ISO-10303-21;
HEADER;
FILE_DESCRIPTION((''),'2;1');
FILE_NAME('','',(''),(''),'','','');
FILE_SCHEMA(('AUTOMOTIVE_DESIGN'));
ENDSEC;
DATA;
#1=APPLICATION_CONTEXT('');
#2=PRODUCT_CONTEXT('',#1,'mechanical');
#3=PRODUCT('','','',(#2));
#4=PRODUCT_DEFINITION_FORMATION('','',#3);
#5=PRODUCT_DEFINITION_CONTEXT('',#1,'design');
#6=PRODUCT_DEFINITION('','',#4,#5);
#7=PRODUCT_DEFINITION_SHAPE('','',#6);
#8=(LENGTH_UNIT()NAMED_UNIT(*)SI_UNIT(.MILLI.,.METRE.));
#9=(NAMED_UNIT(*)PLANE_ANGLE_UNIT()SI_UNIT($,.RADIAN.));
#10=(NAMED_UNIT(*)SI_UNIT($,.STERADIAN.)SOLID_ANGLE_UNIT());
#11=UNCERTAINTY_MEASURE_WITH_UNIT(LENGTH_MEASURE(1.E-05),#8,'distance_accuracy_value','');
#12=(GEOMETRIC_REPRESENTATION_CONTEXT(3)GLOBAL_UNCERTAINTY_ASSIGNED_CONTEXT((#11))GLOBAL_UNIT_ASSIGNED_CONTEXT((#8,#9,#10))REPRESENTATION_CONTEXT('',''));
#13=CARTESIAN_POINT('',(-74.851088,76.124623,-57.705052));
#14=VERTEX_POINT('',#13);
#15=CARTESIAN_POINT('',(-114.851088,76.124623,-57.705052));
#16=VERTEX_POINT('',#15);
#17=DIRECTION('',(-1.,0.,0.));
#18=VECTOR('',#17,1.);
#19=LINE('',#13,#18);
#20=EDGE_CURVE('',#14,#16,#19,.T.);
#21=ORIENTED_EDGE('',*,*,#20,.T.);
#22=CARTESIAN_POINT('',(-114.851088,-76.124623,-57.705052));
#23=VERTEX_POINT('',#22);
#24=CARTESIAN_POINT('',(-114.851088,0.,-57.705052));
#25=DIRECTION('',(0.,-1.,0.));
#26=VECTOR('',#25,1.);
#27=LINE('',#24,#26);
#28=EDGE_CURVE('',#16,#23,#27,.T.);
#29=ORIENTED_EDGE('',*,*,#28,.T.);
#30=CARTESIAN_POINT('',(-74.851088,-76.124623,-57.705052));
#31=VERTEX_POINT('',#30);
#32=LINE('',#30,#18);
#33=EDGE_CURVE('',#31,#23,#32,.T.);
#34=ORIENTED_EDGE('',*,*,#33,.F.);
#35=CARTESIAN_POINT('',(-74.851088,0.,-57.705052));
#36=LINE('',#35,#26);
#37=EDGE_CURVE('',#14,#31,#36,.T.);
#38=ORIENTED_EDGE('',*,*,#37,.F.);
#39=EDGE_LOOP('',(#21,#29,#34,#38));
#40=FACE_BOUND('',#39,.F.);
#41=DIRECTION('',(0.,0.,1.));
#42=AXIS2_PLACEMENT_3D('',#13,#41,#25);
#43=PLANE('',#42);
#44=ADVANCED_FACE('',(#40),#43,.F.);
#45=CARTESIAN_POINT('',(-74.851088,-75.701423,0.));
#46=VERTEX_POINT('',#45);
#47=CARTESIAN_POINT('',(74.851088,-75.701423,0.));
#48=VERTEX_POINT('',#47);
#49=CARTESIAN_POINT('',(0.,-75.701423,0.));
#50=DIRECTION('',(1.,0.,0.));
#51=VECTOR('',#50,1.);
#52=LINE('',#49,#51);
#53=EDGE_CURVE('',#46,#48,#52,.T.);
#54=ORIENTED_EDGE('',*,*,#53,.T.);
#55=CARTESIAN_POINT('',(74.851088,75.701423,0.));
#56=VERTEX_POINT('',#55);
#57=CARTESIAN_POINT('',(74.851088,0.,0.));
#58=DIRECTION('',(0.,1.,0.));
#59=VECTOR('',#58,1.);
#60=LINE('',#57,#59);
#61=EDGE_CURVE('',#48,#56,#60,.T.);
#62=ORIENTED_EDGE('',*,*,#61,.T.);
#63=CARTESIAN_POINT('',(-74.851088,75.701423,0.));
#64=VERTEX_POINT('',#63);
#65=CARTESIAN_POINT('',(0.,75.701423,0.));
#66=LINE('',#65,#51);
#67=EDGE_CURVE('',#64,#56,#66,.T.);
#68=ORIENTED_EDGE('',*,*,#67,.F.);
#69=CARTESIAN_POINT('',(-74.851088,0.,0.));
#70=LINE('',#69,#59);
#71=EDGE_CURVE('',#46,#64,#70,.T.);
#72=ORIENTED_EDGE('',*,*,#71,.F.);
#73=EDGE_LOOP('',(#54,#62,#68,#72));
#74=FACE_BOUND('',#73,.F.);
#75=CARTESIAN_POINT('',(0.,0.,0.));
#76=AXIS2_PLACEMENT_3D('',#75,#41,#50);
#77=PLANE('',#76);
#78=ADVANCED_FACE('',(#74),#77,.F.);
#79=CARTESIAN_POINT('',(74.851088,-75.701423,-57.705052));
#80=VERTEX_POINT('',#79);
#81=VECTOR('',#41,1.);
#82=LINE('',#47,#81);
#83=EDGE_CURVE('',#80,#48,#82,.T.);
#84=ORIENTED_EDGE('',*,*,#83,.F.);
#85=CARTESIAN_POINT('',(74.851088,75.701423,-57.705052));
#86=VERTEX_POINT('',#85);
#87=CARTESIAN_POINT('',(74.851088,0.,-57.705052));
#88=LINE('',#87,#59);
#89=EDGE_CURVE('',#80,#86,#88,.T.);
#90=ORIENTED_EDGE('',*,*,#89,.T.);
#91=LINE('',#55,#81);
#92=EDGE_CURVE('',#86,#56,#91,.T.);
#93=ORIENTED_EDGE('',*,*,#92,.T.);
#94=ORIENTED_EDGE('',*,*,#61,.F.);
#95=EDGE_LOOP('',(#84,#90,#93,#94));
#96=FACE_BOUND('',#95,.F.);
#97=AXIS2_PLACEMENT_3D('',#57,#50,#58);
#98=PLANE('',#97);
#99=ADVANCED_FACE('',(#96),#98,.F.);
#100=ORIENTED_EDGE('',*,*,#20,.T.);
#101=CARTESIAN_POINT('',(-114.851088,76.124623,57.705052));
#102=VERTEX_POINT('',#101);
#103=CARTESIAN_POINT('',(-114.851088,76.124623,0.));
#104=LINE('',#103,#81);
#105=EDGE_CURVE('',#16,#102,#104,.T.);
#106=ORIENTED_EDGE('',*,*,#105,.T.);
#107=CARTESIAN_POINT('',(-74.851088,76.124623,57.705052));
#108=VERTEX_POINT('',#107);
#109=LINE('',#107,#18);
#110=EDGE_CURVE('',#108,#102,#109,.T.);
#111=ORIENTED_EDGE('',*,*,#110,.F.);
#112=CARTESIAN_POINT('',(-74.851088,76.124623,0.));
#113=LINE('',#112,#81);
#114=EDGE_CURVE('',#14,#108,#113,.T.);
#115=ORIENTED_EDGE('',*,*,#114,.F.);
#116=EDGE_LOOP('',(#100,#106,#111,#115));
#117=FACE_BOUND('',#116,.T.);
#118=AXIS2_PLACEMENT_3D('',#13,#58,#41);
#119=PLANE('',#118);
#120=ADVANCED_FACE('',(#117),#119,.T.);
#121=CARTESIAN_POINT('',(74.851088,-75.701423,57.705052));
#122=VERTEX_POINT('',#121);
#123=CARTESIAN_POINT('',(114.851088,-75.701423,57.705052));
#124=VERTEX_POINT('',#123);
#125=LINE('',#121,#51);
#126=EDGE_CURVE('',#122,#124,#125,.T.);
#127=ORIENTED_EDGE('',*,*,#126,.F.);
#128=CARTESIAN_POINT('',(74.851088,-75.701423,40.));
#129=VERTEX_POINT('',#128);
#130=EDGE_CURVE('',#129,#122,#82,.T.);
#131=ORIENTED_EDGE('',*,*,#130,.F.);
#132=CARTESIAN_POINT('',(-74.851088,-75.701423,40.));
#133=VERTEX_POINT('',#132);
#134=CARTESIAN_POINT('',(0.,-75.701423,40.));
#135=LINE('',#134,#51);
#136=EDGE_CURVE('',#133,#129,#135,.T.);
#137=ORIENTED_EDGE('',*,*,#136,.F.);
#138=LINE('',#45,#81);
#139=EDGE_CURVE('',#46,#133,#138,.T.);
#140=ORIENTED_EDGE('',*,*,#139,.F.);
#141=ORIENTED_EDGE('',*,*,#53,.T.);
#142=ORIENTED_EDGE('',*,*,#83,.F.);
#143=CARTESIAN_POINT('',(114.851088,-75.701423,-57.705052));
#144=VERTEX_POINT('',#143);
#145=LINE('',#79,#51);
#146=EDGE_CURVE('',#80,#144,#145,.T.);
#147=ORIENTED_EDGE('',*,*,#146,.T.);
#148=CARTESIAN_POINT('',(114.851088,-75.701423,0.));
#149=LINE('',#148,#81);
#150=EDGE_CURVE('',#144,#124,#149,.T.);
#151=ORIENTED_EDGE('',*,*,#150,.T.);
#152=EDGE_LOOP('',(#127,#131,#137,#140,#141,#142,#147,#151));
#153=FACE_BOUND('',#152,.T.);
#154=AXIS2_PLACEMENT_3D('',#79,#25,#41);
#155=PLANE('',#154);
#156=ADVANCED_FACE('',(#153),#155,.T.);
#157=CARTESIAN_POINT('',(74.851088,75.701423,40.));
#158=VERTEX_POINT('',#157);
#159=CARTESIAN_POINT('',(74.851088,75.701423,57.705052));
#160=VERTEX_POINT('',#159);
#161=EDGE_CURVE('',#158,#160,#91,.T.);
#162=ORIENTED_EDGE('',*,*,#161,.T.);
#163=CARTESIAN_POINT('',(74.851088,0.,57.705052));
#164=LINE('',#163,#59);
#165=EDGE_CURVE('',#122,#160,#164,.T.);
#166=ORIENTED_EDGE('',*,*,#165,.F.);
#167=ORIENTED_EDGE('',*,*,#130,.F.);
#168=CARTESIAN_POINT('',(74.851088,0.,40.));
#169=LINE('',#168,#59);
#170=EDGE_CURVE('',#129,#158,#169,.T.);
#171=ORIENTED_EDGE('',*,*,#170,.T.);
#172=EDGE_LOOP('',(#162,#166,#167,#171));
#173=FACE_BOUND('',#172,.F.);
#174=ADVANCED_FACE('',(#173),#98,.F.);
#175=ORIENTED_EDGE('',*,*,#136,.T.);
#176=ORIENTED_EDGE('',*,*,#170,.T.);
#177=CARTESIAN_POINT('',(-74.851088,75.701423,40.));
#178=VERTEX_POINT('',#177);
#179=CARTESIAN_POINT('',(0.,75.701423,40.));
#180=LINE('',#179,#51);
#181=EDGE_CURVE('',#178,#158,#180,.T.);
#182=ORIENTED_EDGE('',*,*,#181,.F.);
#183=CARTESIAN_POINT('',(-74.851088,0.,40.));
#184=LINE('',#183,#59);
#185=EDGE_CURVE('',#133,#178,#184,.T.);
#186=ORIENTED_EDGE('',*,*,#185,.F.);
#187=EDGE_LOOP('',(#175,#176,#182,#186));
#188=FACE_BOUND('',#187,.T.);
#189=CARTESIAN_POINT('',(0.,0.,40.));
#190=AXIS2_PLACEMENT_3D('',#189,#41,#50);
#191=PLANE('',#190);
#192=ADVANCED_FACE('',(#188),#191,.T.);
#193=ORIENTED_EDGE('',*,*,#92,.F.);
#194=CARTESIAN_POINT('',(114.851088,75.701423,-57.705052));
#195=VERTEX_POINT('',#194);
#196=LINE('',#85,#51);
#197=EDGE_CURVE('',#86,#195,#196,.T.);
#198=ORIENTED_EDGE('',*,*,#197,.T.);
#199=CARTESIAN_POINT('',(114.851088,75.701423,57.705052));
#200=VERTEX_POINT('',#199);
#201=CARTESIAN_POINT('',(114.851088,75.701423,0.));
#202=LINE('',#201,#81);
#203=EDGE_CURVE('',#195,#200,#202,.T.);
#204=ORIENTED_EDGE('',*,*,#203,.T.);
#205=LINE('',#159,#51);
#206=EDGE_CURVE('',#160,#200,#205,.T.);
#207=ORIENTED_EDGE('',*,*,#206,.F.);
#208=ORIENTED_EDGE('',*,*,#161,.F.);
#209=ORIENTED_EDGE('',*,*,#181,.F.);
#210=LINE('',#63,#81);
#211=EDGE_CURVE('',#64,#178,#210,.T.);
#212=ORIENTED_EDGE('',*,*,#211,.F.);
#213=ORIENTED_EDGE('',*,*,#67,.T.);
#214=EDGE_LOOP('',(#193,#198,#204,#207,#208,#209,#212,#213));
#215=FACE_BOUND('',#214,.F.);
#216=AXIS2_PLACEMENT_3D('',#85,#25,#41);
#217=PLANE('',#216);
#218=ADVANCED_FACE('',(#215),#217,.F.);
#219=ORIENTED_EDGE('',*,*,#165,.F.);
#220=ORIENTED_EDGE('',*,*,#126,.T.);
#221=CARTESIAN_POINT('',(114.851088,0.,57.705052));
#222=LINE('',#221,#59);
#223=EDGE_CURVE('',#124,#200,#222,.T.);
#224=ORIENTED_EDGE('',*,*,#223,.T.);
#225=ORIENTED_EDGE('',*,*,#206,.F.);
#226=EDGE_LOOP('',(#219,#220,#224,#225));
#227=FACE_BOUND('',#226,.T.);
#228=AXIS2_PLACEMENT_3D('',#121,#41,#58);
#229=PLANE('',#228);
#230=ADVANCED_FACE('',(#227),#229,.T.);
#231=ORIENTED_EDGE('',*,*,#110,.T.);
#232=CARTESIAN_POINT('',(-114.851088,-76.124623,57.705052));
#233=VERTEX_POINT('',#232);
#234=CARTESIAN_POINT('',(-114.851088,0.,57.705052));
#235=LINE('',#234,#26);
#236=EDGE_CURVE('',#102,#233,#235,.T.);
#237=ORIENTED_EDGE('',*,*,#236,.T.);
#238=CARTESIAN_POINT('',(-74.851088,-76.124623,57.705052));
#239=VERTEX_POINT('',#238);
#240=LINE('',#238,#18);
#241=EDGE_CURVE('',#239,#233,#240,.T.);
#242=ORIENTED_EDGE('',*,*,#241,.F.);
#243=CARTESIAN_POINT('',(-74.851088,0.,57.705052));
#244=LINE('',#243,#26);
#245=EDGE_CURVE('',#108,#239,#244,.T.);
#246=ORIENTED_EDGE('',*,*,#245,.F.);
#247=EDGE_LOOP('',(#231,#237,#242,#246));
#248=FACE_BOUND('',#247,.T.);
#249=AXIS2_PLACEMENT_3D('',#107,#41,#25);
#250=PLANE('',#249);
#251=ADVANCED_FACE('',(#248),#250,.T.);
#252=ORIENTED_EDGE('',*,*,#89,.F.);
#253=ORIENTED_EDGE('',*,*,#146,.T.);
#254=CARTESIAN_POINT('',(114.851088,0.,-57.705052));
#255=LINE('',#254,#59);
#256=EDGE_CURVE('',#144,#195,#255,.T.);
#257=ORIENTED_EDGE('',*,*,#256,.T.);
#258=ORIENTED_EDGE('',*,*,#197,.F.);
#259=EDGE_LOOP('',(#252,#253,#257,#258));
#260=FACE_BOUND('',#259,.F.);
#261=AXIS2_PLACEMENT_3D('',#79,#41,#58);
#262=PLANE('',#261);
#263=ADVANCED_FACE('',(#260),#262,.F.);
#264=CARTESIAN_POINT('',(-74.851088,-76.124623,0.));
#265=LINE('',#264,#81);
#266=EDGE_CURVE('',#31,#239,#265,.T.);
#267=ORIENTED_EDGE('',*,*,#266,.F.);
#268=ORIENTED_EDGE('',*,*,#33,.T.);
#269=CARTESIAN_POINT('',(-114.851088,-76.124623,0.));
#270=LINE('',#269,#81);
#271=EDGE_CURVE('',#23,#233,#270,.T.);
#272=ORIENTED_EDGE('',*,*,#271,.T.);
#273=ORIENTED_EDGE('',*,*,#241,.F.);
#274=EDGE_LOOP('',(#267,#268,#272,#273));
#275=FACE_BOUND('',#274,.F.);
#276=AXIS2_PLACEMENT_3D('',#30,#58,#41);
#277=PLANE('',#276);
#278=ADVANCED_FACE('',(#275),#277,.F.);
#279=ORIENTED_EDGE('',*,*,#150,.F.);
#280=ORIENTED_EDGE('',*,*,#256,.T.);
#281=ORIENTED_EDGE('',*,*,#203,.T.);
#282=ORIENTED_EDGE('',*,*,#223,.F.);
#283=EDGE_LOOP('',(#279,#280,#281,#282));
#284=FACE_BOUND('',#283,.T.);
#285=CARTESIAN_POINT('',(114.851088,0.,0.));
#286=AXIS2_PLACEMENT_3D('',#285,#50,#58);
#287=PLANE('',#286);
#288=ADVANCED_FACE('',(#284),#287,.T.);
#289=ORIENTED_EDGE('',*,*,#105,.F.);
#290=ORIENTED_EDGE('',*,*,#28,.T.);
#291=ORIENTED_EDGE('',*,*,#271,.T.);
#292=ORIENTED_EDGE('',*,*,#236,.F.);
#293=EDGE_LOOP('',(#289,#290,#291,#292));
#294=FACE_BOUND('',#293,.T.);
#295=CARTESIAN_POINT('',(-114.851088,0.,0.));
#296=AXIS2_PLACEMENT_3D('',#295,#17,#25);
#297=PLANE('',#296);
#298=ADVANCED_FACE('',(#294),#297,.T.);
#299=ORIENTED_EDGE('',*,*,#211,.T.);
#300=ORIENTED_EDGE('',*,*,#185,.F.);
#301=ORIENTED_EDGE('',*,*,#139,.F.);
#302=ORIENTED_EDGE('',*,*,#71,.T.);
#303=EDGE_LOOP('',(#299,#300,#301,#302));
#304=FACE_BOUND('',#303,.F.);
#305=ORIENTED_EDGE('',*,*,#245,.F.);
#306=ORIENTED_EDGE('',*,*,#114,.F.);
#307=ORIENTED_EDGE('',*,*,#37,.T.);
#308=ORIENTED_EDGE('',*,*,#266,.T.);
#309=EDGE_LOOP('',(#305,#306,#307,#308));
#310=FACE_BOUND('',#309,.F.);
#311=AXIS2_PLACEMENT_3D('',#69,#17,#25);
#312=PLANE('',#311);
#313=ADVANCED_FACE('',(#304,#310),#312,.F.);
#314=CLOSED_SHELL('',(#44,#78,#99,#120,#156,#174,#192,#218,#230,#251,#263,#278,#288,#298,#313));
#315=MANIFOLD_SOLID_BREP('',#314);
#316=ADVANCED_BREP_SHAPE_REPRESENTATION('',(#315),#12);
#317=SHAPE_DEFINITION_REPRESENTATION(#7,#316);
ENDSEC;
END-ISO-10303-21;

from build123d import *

# Parameters (mm, degrees)
F0_W     = 149.702176
F0_H     = 151.402846
F1_DEPTH = 40
F2_W     = 151.402846
F2_H     = 115.410104
F3_DEPTH = 40
F4_W     = 152.249246
F4_H     = 115.410104
F5_DEPTH = 40


with BuildPart() as f1:
    # F0 (on Top) → F1 (new body)
    with BuildSketch(Plane.XY):
        Rectangle(F0_W, F0_H)
    extrude(amount=F1_DEPTH)

    # F2 (on face) → F3 (join)
    with BuildSketch(Plane.YZ.offset(74.851088)):
        Rectangle(F2_W, F2_H)
    extrude(amount=F3_DEPTH)

    # F4 (on face) → F5 (join)
    with BuildSketch(Plane(origin=(-74.851088, 0, 0), x_dir=(0, -1, 0), z_dir=(-1, 0, 0))):
        Rectangle(F4_W, F4_H)
    extrude(amount=F5_DEPTH)


solid = f1.part
